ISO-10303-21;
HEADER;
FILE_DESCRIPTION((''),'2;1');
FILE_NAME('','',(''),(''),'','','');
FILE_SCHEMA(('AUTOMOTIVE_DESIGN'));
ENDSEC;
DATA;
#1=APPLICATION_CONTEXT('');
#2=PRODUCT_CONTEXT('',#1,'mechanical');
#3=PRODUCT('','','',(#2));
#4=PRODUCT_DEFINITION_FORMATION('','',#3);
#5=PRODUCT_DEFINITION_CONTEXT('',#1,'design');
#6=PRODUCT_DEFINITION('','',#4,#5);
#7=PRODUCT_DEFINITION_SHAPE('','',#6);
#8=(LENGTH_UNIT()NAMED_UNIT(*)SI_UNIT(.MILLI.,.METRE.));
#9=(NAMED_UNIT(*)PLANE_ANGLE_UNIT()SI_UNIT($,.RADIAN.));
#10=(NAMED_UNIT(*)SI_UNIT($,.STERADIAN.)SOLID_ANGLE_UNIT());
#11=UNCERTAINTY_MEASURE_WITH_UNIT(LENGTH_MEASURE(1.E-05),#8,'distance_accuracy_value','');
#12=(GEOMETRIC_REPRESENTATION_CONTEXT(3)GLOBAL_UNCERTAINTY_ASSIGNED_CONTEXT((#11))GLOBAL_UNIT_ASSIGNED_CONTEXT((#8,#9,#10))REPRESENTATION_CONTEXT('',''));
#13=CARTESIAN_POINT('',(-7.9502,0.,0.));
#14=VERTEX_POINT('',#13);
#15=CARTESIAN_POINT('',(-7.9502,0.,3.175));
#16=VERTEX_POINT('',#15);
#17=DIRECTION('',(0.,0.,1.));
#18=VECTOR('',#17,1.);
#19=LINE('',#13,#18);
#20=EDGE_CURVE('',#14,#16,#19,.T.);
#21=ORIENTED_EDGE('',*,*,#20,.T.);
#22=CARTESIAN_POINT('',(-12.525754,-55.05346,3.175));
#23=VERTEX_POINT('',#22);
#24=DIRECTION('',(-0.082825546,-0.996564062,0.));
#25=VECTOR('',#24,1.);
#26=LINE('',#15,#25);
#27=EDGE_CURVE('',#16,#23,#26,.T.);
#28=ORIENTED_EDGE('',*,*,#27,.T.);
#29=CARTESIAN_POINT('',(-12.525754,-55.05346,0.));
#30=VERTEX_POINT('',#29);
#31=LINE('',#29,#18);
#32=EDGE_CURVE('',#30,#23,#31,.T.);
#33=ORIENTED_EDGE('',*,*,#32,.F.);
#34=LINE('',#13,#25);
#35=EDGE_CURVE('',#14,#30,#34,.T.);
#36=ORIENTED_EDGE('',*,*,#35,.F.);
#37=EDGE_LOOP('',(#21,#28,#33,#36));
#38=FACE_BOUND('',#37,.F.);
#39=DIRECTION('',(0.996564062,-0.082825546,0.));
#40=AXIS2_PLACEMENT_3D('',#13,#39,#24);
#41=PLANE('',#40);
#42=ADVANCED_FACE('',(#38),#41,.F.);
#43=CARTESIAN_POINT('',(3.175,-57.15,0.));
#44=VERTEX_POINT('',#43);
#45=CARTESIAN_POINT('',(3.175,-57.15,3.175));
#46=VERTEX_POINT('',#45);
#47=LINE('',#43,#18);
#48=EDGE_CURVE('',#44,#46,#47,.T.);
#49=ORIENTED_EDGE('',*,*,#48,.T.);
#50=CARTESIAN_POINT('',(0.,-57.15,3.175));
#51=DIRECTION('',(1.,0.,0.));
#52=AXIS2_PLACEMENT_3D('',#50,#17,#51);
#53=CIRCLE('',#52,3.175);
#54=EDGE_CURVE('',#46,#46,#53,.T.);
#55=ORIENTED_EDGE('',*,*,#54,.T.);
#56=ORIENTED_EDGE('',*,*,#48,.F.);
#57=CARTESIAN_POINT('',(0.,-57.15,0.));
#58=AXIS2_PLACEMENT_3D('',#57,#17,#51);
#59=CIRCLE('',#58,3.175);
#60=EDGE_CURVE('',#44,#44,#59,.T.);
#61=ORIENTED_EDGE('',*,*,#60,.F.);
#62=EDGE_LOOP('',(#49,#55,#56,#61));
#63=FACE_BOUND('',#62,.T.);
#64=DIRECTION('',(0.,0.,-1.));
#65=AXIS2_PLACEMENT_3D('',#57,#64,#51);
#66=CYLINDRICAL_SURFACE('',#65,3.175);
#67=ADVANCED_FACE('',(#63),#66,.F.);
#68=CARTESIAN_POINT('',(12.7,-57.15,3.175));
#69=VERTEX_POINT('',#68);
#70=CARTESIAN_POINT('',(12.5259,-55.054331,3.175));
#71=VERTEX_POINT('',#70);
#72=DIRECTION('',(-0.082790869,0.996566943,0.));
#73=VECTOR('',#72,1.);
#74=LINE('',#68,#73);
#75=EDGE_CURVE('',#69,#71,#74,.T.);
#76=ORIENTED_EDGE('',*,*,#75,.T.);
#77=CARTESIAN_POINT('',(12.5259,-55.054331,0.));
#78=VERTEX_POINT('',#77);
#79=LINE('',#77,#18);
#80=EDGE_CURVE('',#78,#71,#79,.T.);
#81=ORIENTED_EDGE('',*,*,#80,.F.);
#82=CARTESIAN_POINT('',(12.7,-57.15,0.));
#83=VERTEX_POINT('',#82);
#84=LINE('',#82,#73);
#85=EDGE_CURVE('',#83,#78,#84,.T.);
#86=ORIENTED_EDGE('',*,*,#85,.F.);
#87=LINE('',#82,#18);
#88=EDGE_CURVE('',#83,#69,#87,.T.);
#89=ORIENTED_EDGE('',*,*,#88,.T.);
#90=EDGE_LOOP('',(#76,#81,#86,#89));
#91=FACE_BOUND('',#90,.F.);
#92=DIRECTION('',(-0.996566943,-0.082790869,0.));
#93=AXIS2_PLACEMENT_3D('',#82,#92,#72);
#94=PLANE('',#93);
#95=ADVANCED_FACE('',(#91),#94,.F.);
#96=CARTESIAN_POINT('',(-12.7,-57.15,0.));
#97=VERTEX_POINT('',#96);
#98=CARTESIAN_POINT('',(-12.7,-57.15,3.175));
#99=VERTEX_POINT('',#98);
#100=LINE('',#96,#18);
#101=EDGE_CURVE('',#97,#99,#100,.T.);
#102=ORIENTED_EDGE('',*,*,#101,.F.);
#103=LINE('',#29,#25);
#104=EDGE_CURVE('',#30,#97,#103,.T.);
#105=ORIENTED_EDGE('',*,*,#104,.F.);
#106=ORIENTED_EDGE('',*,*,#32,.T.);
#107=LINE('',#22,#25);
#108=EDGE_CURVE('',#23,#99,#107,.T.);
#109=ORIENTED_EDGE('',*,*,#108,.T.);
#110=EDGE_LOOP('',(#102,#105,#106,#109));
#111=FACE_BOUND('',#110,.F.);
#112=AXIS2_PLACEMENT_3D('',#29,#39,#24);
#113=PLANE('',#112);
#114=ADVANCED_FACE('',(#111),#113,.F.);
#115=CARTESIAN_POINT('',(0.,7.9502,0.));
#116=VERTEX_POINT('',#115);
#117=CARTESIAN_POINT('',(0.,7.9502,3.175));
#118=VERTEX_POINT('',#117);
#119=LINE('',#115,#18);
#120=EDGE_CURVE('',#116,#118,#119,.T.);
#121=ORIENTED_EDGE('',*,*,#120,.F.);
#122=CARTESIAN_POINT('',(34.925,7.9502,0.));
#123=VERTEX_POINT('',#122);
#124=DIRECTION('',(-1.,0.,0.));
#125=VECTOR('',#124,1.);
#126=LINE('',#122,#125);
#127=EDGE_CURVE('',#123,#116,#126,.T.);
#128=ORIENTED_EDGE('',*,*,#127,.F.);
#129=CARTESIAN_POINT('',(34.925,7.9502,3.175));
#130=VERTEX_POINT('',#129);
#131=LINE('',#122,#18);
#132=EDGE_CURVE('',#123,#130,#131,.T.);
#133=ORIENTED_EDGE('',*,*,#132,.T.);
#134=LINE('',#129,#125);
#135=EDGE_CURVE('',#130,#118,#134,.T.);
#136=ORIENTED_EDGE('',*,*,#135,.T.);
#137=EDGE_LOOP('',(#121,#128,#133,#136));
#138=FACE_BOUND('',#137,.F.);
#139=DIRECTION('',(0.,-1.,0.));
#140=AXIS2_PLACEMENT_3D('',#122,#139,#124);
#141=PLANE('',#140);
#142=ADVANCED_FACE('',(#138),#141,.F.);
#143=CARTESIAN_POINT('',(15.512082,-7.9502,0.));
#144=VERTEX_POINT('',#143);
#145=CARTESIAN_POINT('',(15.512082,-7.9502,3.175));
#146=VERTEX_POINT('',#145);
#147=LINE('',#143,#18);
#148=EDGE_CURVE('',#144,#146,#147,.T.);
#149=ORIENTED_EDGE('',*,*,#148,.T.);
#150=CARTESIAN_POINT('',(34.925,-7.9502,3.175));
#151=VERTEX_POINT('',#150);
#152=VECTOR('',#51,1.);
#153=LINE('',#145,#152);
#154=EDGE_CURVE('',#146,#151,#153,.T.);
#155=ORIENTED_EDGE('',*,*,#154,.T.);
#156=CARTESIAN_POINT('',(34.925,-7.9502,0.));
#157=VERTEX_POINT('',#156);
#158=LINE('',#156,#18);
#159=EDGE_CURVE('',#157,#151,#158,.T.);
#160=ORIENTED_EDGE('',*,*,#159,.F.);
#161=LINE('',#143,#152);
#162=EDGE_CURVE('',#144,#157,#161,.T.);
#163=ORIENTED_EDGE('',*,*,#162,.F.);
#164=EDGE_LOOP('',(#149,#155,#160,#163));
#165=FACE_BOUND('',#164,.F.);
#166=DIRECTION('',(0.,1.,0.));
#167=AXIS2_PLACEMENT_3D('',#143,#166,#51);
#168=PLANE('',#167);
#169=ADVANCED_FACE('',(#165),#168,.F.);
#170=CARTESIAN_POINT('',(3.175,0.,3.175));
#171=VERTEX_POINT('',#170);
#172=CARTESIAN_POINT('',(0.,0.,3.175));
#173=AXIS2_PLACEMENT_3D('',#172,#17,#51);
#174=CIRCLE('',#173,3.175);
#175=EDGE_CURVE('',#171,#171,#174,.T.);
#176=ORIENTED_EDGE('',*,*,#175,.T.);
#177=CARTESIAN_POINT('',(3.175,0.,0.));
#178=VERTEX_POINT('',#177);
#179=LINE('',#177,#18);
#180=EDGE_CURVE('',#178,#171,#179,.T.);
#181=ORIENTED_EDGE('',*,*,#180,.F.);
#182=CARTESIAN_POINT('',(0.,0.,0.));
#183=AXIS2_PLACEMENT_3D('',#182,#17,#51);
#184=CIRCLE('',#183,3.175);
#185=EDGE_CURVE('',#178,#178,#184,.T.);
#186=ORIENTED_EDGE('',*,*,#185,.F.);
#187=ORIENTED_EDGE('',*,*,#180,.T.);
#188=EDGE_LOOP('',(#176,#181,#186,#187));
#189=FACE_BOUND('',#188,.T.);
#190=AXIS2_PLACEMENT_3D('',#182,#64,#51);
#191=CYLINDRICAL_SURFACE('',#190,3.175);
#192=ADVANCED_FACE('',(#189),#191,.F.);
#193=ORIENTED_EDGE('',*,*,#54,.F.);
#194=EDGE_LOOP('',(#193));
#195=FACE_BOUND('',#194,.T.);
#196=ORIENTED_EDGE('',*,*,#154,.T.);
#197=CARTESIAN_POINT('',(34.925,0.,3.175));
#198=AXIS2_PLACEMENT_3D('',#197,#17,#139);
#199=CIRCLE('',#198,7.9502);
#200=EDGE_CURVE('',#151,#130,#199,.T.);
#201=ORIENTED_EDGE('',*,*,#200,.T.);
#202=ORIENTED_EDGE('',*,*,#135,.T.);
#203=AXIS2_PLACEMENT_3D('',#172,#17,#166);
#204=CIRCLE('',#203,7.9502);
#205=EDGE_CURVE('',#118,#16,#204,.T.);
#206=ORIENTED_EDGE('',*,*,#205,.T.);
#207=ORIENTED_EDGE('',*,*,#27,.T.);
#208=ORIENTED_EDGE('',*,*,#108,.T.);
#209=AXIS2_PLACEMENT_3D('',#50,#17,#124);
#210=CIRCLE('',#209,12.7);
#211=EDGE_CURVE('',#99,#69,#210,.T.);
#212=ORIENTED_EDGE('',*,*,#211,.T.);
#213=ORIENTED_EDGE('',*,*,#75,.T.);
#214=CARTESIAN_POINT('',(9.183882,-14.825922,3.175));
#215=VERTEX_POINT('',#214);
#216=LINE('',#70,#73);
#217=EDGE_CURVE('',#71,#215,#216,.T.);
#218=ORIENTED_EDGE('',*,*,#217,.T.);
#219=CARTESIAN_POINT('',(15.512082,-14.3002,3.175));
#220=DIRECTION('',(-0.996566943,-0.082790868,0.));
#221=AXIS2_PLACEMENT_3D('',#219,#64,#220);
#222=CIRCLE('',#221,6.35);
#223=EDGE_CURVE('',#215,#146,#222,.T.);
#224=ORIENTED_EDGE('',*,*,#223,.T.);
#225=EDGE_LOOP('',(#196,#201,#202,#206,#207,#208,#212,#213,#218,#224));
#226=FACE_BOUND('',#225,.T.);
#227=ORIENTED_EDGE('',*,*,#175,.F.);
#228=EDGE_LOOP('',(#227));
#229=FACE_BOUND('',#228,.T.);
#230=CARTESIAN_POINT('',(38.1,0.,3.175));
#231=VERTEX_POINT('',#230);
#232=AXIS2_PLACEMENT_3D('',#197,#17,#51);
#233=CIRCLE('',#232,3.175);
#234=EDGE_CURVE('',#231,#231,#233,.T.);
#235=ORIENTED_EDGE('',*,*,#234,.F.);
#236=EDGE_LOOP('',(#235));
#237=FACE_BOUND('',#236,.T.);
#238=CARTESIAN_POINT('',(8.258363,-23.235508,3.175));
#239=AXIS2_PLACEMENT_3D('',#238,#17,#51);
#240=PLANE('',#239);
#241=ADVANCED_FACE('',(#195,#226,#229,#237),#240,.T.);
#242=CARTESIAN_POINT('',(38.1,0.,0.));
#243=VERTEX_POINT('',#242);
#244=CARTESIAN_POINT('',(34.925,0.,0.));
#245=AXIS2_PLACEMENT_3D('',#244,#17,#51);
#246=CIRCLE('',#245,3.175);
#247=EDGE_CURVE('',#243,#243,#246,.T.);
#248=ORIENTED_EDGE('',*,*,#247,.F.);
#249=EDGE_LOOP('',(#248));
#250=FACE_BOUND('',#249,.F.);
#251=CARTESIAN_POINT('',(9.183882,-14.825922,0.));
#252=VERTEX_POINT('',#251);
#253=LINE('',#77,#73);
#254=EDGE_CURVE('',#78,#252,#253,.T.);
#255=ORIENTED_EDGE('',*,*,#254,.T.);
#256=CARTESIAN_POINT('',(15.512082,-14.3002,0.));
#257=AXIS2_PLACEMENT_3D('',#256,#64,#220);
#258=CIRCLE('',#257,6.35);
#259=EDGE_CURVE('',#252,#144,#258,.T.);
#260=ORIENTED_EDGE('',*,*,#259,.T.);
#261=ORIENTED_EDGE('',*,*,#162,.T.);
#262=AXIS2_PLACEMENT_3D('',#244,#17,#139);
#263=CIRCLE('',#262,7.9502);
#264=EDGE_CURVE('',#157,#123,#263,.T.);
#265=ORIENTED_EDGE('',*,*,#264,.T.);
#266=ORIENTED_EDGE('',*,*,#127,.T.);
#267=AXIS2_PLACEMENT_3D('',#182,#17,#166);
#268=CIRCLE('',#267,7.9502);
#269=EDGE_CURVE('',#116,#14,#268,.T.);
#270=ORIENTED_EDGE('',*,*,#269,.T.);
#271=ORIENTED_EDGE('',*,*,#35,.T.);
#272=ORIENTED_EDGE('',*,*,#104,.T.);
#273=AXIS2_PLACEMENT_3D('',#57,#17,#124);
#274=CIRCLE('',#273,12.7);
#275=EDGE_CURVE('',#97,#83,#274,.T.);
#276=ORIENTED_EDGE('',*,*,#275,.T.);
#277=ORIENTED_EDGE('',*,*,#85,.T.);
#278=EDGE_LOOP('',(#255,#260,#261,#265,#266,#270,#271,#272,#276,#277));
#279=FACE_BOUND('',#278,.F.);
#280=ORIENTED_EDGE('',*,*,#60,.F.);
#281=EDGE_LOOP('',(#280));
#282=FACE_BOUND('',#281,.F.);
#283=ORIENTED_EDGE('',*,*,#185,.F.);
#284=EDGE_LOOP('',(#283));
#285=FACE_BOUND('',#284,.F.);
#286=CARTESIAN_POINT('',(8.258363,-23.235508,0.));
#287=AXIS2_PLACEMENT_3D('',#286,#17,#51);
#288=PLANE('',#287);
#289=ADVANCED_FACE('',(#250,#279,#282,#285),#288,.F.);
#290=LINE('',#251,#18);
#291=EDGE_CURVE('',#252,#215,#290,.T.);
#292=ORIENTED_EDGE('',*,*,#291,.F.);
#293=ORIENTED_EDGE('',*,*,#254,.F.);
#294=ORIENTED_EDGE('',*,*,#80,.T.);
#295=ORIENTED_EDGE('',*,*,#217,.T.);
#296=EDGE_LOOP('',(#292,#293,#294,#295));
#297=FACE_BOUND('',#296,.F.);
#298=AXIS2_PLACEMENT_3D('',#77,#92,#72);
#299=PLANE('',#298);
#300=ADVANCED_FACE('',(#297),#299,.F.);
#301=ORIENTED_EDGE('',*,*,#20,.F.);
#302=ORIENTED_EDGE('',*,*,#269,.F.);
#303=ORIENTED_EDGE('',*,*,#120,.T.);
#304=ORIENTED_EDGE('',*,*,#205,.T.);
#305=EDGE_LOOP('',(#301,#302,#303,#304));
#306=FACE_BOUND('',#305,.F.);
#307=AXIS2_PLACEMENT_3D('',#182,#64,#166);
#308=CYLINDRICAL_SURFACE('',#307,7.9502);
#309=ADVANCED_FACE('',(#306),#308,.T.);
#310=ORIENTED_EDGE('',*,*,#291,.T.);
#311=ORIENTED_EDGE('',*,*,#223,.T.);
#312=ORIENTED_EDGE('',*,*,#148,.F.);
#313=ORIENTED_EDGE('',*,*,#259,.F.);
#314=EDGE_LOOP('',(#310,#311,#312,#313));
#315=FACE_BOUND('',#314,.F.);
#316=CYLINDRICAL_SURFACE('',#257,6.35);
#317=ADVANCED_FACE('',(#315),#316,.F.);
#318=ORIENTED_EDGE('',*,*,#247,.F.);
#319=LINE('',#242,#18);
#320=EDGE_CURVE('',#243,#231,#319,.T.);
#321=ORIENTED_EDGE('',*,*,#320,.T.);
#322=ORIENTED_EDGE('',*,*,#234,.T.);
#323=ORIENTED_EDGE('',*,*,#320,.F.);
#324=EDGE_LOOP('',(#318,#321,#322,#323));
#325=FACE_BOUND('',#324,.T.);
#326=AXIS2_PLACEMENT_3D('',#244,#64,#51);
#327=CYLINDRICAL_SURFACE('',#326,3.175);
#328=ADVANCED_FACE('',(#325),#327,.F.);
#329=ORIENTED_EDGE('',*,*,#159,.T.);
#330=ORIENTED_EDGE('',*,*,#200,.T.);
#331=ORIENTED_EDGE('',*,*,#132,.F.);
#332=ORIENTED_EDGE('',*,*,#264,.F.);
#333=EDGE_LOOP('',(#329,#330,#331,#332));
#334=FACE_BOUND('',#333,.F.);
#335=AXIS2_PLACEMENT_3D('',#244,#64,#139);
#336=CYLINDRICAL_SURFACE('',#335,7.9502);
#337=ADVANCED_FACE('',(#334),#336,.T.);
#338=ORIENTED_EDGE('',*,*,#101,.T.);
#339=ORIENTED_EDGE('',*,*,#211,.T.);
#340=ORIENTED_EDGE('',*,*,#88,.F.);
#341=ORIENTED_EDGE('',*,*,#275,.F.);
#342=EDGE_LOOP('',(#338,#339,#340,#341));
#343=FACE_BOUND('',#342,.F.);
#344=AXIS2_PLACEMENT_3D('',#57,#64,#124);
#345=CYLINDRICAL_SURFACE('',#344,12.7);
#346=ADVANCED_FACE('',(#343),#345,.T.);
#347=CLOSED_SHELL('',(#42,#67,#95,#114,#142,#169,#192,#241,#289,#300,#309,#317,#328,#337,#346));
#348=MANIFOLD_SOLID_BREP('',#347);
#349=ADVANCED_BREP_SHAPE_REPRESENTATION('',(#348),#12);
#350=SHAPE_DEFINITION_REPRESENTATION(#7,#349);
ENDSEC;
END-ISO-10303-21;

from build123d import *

# Parameters (mm, degrees)
SKETCH1_R           = 3.175
BOSS_EXTRUDE1_DEPTH = 3.175


with BuildPart() as part:
    # Sketch1 → Boss-Extrude1 (new body)
    with BuildSketch(Plane.XY):
        with BuildLine():
            ThreePointArc((0, 7.9502), (-5.621640332, 5.621640332), (-7.9502, 0))
            Line((-7.9502, 0), (-12.525754193, -55.05345954))
            Line((-12.525754193, -55.05345954), (-12.7, -57.15))
            ThreePointArc((-12.7, -57.15), (0, -69.85), (12.7, -57.15))
            Line((12.7, -57.15), (12.525900071, -55.054331273))
            Line((12.525900071, -55.054331273), (9.183881789, -14.825922015))
            ThreePointArc((9.183881789, -14.825922015), (10.839778656, -9.999957844), (15.512081878, -7.9502))
            Line((15.512081878, -7.9502), (34.925, -7.9502))
            ThreePointArc((34.925, -7.9502), (42.8752, 0), (34.925, 7.9502))
            Line((34.925, 7.9502), (0, 7.9502))
        make_face()
        with Locations((0, -57.15)):
            Circle(SKETCH1_R, mode=Mode.SUBTRACT)
        Circle(SKETCH1_R, mode=Mode.SUBTRACT)
        with Locations((34.925, 0)):
            Circle(SKETCH1_R, mode=Mode.SUBTRACT)
    extrude(amount=BOSS_EXTRUDE1_DEPTH)


solid = part.part
